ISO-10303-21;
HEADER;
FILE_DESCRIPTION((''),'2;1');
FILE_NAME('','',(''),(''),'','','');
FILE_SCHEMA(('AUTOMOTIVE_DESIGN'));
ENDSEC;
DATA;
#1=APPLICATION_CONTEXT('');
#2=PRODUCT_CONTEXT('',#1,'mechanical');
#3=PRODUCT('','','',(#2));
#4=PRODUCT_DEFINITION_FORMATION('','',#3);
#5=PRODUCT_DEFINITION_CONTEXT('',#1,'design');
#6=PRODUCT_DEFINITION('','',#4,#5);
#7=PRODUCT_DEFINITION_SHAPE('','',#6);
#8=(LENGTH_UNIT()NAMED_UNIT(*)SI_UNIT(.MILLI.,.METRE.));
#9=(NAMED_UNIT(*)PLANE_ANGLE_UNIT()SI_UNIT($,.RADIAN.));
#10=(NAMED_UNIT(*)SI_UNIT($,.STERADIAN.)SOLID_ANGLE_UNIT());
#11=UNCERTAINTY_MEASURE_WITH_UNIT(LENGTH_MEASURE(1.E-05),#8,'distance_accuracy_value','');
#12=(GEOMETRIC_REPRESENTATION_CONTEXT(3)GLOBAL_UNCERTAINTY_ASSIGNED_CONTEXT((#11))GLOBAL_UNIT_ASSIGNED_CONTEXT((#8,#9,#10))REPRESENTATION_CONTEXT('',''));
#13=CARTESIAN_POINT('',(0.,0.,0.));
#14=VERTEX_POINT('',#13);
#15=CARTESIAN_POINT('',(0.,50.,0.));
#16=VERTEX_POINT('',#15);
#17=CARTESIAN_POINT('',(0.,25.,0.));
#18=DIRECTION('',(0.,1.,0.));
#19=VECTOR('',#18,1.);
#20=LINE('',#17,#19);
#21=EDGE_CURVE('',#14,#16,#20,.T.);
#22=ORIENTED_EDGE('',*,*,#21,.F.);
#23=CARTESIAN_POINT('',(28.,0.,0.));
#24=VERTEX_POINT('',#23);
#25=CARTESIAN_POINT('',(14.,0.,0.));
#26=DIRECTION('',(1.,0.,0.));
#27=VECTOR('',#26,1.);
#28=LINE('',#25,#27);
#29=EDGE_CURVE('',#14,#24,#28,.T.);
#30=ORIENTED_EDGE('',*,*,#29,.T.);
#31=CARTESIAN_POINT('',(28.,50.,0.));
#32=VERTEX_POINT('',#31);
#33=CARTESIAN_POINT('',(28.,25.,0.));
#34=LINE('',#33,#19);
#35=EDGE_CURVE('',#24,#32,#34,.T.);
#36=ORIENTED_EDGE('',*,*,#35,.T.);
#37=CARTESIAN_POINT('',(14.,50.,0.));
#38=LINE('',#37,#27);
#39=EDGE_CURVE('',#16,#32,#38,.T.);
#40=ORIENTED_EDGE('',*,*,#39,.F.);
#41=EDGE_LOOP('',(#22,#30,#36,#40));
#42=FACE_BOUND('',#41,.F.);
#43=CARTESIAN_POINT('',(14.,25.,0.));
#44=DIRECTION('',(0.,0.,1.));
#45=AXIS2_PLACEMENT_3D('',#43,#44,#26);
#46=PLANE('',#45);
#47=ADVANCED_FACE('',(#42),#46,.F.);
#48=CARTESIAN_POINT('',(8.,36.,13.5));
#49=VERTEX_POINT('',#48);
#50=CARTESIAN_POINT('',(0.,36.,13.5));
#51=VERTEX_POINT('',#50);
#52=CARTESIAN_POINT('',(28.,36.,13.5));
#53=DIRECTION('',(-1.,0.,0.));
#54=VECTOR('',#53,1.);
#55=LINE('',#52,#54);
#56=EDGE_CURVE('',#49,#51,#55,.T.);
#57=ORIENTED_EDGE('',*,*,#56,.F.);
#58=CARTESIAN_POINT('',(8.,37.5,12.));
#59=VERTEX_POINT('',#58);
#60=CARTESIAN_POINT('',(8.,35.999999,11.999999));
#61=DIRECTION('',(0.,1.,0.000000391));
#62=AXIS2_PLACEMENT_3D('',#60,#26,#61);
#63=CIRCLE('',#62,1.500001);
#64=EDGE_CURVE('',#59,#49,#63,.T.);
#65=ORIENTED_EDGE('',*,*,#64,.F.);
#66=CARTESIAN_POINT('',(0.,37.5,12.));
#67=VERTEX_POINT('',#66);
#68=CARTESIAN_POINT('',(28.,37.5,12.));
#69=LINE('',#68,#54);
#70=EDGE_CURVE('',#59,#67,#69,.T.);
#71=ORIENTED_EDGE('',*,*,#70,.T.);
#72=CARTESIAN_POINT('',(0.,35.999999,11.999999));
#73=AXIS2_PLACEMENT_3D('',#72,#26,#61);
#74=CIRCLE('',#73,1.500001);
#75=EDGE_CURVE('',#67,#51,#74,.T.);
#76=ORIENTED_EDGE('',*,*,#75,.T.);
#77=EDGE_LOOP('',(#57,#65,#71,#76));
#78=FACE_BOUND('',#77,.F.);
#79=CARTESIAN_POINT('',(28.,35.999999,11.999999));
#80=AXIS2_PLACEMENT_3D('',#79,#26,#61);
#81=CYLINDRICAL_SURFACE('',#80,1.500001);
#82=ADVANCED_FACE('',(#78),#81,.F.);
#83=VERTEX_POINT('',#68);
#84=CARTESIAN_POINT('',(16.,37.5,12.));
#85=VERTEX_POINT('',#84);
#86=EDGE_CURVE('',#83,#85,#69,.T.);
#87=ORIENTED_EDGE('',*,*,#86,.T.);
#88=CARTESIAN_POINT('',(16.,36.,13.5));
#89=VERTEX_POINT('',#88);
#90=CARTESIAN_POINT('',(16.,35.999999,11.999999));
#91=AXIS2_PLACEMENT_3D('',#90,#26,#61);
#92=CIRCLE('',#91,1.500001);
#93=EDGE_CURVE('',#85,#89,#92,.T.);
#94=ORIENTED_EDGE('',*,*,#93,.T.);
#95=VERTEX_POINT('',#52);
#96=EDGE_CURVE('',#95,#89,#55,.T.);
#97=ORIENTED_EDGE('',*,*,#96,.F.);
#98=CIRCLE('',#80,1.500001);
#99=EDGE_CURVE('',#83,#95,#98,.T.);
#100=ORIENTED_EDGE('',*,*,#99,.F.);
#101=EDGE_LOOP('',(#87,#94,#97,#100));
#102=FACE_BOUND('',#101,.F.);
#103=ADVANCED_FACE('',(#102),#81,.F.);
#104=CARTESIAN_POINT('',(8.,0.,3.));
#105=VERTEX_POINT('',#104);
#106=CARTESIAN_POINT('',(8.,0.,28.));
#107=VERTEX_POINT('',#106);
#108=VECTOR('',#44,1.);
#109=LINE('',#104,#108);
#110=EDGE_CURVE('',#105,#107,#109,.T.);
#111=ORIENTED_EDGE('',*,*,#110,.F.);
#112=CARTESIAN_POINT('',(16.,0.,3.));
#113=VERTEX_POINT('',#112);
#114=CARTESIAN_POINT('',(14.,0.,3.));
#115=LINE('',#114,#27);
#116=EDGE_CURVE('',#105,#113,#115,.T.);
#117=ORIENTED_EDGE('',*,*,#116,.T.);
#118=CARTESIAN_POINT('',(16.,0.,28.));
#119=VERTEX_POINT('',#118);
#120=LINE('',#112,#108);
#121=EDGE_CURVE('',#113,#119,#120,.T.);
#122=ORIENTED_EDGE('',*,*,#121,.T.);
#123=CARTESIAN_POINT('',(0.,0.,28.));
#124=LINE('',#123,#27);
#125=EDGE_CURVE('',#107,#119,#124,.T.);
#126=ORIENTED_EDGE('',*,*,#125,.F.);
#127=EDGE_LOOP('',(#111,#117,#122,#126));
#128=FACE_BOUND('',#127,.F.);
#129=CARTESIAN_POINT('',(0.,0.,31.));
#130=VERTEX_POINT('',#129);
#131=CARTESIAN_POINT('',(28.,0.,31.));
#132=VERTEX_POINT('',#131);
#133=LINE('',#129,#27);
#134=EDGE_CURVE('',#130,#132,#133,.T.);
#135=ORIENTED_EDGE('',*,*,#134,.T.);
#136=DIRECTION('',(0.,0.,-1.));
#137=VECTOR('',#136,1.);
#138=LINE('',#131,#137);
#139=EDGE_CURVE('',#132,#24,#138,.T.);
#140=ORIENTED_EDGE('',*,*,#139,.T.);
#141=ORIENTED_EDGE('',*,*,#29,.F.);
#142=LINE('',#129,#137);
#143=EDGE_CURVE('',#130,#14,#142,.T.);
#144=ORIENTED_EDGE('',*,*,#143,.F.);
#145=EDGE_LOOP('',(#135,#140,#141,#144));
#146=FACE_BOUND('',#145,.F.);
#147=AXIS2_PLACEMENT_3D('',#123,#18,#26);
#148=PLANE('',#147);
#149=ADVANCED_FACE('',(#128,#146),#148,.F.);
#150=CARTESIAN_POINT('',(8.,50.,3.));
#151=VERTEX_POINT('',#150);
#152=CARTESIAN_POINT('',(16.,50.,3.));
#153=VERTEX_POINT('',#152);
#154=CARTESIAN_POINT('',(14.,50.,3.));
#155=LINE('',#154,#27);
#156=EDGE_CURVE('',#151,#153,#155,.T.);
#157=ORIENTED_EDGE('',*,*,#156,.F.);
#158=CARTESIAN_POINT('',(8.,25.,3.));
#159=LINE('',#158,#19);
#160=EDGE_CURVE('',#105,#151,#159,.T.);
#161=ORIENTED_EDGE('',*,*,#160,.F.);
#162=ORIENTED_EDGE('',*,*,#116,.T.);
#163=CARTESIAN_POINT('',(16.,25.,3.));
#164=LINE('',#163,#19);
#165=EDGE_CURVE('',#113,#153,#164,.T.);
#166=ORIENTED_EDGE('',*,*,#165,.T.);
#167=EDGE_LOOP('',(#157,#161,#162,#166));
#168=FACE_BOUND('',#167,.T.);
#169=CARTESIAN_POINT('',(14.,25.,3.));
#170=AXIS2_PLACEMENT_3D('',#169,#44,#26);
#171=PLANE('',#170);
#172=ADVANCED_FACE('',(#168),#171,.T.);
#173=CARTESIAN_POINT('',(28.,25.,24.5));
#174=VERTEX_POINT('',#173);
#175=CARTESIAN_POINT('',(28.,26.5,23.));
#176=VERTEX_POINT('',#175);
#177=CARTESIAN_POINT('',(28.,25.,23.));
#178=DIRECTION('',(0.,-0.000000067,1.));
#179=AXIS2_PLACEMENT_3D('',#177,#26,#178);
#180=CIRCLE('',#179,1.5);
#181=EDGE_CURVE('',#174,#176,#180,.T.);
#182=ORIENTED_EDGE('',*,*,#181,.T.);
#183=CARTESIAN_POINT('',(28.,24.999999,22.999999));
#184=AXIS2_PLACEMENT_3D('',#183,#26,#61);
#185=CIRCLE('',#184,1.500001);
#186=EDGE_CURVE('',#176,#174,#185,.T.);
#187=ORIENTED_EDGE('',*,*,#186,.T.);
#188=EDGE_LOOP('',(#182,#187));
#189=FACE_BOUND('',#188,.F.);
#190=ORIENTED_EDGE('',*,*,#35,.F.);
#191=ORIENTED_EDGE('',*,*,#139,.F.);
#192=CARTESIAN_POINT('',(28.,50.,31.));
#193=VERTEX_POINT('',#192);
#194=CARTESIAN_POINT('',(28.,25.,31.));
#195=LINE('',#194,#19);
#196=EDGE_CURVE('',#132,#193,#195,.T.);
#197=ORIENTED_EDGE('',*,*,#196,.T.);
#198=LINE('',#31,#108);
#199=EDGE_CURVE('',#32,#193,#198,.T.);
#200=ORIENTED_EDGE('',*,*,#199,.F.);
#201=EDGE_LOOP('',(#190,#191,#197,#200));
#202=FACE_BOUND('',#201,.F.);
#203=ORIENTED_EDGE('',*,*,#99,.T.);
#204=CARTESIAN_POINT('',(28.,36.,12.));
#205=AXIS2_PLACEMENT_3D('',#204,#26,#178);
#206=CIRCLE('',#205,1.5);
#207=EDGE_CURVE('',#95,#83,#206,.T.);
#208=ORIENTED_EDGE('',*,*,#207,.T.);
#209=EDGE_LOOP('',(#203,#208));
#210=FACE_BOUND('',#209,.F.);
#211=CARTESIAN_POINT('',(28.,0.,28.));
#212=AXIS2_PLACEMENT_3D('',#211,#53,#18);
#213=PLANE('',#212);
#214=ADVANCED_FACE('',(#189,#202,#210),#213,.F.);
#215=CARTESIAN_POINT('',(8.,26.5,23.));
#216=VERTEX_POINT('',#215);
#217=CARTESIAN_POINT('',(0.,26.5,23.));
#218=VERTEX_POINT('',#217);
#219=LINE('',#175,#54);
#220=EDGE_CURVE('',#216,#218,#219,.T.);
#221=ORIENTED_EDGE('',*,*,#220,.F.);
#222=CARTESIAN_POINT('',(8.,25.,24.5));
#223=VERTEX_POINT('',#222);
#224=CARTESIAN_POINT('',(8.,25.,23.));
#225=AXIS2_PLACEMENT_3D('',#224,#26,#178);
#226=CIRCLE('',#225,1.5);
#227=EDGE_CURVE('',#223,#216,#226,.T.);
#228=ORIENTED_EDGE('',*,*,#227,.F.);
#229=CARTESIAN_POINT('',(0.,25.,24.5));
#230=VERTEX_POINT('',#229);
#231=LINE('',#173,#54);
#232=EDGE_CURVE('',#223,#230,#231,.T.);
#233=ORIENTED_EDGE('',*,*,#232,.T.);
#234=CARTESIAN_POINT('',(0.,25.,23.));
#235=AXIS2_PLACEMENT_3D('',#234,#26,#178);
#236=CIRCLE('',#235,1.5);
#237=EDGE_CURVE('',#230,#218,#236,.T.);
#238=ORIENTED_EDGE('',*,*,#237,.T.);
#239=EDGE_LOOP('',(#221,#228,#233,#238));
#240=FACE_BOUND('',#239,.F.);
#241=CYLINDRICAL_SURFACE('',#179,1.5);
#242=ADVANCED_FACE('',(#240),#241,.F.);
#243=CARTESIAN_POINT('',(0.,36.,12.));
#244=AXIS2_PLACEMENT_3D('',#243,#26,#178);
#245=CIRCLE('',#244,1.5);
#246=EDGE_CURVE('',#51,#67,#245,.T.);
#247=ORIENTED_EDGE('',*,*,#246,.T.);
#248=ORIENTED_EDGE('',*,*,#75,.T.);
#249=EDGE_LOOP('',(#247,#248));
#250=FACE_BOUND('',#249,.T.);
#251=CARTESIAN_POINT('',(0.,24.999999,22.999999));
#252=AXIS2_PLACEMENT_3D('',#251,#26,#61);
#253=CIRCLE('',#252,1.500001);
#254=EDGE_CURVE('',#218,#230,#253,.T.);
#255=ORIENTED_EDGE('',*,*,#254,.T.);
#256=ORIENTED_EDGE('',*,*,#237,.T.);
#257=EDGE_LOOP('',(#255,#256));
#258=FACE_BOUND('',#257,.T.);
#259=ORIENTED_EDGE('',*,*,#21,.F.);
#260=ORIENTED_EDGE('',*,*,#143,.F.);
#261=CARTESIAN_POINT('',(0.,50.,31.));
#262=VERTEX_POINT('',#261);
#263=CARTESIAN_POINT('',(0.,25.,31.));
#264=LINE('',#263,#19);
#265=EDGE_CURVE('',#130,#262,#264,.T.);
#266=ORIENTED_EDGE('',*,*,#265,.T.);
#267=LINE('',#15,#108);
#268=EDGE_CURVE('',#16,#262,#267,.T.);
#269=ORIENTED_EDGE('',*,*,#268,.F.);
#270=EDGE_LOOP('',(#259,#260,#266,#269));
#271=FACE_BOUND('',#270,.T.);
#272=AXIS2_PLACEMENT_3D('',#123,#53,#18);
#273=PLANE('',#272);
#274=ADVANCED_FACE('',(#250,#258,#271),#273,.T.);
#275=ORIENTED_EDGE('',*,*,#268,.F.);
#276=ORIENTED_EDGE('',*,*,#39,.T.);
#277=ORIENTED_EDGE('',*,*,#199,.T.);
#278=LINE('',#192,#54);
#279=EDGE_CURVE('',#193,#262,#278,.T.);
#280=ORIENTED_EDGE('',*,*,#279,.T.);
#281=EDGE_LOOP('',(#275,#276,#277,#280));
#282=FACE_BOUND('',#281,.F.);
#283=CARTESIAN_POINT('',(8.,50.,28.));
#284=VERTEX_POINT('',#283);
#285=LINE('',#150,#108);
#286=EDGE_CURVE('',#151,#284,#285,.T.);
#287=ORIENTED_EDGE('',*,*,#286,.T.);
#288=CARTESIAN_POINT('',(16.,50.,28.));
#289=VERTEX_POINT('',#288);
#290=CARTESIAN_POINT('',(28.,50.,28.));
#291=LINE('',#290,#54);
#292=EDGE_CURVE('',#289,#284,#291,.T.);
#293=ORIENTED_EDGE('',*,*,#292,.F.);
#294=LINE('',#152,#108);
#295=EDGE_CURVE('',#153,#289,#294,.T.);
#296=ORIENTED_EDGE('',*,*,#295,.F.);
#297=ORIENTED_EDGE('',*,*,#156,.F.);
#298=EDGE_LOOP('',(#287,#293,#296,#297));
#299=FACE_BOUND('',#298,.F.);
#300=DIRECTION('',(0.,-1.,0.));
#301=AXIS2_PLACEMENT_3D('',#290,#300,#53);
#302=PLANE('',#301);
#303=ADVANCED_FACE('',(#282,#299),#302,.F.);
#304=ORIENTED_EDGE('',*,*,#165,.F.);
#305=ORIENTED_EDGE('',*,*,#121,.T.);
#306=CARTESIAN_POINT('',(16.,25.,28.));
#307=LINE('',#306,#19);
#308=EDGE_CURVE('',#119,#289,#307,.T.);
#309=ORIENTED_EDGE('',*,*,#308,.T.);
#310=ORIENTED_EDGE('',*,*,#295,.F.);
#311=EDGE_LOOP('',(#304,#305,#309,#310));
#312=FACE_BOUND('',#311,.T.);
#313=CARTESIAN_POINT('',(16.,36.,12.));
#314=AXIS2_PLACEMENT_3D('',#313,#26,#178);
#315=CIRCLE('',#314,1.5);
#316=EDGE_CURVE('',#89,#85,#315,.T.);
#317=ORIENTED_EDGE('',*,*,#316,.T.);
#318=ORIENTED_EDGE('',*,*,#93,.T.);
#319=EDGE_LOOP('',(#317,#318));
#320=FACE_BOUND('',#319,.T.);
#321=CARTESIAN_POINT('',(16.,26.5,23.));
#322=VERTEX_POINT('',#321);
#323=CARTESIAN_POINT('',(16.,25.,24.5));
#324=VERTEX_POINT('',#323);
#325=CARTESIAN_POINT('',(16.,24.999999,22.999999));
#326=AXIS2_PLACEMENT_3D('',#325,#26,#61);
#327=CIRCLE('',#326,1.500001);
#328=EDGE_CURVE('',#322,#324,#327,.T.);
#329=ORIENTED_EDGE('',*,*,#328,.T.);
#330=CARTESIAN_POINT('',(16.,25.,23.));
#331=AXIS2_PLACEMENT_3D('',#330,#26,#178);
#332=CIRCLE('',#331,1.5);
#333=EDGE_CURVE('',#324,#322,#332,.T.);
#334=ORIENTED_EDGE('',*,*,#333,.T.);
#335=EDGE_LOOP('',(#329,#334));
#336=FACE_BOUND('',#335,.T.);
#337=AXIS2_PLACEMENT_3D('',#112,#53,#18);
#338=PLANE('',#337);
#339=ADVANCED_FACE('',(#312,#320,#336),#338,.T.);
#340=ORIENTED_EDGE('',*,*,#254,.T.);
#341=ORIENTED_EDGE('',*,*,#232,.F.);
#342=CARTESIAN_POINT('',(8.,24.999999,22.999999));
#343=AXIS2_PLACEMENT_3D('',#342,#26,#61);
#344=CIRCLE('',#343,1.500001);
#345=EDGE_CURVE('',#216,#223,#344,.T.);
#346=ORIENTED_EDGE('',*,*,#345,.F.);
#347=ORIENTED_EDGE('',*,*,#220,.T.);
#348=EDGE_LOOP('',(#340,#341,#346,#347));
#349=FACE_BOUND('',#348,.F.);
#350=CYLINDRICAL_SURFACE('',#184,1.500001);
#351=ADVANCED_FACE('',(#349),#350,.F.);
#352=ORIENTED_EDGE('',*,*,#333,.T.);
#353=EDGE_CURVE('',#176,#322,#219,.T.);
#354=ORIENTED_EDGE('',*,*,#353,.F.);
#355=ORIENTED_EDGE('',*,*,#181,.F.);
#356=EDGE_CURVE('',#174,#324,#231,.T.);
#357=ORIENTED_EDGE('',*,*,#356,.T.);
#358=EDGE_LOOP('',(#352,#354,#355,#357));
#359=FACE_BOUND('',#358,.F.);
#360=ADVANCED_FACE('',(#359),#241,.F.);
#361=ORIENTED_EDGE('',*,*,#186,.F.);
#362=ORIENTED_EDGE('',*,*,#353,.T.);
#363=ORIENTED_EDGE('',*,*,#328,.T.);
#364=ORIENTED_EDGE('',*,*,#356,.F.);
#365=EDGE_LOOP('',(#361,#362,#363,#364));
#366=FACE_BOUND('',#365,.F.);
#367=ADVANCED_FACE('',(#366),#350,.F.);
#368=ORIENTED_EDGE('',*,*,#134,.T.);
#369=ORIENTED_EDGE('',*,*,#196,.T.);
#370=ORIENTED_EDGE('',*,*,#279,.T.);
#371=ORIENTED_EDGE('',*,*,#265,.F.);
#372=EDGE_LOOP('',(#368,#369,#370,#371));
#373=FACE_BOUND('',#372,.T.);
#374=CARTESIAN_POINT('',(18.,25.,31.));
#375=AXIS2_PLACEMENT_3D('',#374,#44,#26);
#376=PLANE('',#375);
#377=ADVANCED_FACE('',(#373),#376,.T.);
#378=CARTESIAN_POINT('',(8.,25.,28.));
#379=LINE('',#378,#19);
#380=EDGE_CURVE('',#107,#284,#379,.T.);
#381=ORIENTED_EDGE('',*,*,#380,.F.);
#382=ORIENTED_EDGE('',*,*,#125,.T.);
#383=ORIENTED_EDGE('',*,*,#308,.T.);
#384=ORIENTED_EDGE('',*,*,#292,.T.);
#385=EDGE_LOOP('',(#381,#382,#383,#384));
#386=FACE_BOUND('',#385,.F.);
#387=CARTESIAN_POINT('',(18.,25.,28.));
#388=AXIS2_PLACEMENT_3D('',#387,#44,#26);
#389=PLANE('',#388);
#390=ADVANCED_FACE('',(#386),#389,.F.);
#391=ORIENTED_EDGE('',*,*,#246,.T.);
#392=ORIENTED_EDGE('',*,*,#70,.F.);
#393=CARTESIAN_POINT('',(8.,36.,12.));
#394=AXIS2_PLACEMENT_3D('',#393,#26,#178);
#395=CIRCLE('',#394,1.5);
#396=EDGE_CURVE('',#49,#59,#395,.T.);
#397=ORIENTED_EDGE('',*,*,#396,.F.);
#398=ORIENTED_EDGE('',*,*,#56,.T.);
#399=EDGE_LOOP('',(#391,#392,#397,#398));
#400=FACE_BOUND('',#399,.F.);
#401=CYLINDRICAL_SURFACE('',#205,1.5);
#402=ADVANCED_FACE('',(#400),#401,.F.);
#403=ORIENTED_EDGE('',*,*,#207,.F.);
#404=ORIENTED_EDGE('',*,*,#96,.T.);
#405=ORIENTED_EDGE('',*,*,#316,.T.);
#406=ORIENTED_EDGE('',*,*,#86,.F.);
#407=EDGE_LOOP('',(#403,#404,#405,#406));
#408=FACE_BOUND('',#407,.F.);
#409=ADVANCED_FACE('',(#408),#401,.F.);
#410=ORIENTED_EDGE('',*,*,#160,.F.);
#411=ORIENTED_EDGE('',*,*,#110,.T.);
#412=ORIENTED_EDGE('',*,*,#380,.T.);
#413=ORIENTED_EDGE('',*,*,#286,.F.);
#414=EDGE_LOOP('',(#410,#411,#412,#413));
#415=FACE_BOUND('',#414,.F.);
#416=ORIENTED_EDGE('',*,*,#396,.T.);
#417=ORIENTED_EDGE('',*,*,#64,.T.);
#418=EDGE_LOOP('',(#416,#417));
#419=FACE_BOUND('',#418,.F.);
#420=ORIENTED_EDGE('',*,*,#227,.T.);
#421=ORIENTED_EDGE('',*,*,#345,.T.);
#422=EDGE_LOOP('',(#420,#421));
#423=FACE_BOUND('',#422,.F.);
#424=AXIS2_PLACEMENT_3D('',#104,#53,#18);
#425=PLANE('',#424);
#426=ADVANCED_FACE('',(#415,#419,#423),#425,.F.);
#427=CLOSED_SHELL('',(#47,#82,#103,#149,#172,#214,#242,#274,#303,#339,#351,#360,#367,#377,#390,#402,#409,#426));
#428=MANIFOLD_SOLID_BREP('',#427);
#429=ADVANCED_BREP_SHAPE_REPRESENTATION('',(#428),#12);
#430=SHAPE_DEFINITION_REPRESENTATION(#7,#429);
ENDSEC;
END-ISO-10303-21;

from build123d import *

# Parameters (mm, degrees)
F0_W     = 28
F0_H     = 50
F1_DEPTH = 3
F2_W     = 8
F2_H     = 50
F2_W_2   = 12
F3_DEPTH = 25
F4_W     = 20
F4_H     = 50
F4_W_2   = 8
F5_DEPTH = 3
F7_DEPTH = 67.4


with BuildPart() as f1:
    # F0 (on Top) → F1 (new body)
    with BuildSketch(Plane.XY):
        with Locations((14, 25)):
            Rectangle(F0_W, F0_H)
    extrude(amount=F1_DEPTH)

    # F2 (on face) → F3 (join)
    with BuildSketch(Plane.XY.offset(3)):
        with Locations((4, 25)):
            Rectangle(F2_W, F2_H)
        with Locations((22, 25)):
            Rectangle(F2_W_2, F2_H)
    extrude(amount=F3_DEPTH)

    # F4 (on face) → F5 (join)
    with BuildSketch(Plane.XY.offset(28)):
        with Locations((18, 25)):
            Rectangle(F4_W, F4_H)
        with Locations((4, 25)):
            Rectangle(F4_W_2, F4_H)
    extrude(amount=F5_DEPTH)

    # F6 (on face) → F7 (cut)
    with BuildSketch(Plane.YZ.offset(28)):
        with BuildLine():
            ThreePointArc((26.5, 23), (26.06066, 24.06066), (25, 24.5))
            ThreePointArc((25, 24.5), (23.93934, 21.93934), (26.5, 23))
        make_face()
        with BuildLine():
            ThreePointArc((37.5, 12), (37.06066, 13.06066), (36, 13.5))
            ThreePointArc((36, 13.5), (34.93934, 10.93934), (37.5, 12))
        make_face()
    extrude(amount=-F7_DEPTH, mode=Mode.SUBTRACT)


solid = f1.part
